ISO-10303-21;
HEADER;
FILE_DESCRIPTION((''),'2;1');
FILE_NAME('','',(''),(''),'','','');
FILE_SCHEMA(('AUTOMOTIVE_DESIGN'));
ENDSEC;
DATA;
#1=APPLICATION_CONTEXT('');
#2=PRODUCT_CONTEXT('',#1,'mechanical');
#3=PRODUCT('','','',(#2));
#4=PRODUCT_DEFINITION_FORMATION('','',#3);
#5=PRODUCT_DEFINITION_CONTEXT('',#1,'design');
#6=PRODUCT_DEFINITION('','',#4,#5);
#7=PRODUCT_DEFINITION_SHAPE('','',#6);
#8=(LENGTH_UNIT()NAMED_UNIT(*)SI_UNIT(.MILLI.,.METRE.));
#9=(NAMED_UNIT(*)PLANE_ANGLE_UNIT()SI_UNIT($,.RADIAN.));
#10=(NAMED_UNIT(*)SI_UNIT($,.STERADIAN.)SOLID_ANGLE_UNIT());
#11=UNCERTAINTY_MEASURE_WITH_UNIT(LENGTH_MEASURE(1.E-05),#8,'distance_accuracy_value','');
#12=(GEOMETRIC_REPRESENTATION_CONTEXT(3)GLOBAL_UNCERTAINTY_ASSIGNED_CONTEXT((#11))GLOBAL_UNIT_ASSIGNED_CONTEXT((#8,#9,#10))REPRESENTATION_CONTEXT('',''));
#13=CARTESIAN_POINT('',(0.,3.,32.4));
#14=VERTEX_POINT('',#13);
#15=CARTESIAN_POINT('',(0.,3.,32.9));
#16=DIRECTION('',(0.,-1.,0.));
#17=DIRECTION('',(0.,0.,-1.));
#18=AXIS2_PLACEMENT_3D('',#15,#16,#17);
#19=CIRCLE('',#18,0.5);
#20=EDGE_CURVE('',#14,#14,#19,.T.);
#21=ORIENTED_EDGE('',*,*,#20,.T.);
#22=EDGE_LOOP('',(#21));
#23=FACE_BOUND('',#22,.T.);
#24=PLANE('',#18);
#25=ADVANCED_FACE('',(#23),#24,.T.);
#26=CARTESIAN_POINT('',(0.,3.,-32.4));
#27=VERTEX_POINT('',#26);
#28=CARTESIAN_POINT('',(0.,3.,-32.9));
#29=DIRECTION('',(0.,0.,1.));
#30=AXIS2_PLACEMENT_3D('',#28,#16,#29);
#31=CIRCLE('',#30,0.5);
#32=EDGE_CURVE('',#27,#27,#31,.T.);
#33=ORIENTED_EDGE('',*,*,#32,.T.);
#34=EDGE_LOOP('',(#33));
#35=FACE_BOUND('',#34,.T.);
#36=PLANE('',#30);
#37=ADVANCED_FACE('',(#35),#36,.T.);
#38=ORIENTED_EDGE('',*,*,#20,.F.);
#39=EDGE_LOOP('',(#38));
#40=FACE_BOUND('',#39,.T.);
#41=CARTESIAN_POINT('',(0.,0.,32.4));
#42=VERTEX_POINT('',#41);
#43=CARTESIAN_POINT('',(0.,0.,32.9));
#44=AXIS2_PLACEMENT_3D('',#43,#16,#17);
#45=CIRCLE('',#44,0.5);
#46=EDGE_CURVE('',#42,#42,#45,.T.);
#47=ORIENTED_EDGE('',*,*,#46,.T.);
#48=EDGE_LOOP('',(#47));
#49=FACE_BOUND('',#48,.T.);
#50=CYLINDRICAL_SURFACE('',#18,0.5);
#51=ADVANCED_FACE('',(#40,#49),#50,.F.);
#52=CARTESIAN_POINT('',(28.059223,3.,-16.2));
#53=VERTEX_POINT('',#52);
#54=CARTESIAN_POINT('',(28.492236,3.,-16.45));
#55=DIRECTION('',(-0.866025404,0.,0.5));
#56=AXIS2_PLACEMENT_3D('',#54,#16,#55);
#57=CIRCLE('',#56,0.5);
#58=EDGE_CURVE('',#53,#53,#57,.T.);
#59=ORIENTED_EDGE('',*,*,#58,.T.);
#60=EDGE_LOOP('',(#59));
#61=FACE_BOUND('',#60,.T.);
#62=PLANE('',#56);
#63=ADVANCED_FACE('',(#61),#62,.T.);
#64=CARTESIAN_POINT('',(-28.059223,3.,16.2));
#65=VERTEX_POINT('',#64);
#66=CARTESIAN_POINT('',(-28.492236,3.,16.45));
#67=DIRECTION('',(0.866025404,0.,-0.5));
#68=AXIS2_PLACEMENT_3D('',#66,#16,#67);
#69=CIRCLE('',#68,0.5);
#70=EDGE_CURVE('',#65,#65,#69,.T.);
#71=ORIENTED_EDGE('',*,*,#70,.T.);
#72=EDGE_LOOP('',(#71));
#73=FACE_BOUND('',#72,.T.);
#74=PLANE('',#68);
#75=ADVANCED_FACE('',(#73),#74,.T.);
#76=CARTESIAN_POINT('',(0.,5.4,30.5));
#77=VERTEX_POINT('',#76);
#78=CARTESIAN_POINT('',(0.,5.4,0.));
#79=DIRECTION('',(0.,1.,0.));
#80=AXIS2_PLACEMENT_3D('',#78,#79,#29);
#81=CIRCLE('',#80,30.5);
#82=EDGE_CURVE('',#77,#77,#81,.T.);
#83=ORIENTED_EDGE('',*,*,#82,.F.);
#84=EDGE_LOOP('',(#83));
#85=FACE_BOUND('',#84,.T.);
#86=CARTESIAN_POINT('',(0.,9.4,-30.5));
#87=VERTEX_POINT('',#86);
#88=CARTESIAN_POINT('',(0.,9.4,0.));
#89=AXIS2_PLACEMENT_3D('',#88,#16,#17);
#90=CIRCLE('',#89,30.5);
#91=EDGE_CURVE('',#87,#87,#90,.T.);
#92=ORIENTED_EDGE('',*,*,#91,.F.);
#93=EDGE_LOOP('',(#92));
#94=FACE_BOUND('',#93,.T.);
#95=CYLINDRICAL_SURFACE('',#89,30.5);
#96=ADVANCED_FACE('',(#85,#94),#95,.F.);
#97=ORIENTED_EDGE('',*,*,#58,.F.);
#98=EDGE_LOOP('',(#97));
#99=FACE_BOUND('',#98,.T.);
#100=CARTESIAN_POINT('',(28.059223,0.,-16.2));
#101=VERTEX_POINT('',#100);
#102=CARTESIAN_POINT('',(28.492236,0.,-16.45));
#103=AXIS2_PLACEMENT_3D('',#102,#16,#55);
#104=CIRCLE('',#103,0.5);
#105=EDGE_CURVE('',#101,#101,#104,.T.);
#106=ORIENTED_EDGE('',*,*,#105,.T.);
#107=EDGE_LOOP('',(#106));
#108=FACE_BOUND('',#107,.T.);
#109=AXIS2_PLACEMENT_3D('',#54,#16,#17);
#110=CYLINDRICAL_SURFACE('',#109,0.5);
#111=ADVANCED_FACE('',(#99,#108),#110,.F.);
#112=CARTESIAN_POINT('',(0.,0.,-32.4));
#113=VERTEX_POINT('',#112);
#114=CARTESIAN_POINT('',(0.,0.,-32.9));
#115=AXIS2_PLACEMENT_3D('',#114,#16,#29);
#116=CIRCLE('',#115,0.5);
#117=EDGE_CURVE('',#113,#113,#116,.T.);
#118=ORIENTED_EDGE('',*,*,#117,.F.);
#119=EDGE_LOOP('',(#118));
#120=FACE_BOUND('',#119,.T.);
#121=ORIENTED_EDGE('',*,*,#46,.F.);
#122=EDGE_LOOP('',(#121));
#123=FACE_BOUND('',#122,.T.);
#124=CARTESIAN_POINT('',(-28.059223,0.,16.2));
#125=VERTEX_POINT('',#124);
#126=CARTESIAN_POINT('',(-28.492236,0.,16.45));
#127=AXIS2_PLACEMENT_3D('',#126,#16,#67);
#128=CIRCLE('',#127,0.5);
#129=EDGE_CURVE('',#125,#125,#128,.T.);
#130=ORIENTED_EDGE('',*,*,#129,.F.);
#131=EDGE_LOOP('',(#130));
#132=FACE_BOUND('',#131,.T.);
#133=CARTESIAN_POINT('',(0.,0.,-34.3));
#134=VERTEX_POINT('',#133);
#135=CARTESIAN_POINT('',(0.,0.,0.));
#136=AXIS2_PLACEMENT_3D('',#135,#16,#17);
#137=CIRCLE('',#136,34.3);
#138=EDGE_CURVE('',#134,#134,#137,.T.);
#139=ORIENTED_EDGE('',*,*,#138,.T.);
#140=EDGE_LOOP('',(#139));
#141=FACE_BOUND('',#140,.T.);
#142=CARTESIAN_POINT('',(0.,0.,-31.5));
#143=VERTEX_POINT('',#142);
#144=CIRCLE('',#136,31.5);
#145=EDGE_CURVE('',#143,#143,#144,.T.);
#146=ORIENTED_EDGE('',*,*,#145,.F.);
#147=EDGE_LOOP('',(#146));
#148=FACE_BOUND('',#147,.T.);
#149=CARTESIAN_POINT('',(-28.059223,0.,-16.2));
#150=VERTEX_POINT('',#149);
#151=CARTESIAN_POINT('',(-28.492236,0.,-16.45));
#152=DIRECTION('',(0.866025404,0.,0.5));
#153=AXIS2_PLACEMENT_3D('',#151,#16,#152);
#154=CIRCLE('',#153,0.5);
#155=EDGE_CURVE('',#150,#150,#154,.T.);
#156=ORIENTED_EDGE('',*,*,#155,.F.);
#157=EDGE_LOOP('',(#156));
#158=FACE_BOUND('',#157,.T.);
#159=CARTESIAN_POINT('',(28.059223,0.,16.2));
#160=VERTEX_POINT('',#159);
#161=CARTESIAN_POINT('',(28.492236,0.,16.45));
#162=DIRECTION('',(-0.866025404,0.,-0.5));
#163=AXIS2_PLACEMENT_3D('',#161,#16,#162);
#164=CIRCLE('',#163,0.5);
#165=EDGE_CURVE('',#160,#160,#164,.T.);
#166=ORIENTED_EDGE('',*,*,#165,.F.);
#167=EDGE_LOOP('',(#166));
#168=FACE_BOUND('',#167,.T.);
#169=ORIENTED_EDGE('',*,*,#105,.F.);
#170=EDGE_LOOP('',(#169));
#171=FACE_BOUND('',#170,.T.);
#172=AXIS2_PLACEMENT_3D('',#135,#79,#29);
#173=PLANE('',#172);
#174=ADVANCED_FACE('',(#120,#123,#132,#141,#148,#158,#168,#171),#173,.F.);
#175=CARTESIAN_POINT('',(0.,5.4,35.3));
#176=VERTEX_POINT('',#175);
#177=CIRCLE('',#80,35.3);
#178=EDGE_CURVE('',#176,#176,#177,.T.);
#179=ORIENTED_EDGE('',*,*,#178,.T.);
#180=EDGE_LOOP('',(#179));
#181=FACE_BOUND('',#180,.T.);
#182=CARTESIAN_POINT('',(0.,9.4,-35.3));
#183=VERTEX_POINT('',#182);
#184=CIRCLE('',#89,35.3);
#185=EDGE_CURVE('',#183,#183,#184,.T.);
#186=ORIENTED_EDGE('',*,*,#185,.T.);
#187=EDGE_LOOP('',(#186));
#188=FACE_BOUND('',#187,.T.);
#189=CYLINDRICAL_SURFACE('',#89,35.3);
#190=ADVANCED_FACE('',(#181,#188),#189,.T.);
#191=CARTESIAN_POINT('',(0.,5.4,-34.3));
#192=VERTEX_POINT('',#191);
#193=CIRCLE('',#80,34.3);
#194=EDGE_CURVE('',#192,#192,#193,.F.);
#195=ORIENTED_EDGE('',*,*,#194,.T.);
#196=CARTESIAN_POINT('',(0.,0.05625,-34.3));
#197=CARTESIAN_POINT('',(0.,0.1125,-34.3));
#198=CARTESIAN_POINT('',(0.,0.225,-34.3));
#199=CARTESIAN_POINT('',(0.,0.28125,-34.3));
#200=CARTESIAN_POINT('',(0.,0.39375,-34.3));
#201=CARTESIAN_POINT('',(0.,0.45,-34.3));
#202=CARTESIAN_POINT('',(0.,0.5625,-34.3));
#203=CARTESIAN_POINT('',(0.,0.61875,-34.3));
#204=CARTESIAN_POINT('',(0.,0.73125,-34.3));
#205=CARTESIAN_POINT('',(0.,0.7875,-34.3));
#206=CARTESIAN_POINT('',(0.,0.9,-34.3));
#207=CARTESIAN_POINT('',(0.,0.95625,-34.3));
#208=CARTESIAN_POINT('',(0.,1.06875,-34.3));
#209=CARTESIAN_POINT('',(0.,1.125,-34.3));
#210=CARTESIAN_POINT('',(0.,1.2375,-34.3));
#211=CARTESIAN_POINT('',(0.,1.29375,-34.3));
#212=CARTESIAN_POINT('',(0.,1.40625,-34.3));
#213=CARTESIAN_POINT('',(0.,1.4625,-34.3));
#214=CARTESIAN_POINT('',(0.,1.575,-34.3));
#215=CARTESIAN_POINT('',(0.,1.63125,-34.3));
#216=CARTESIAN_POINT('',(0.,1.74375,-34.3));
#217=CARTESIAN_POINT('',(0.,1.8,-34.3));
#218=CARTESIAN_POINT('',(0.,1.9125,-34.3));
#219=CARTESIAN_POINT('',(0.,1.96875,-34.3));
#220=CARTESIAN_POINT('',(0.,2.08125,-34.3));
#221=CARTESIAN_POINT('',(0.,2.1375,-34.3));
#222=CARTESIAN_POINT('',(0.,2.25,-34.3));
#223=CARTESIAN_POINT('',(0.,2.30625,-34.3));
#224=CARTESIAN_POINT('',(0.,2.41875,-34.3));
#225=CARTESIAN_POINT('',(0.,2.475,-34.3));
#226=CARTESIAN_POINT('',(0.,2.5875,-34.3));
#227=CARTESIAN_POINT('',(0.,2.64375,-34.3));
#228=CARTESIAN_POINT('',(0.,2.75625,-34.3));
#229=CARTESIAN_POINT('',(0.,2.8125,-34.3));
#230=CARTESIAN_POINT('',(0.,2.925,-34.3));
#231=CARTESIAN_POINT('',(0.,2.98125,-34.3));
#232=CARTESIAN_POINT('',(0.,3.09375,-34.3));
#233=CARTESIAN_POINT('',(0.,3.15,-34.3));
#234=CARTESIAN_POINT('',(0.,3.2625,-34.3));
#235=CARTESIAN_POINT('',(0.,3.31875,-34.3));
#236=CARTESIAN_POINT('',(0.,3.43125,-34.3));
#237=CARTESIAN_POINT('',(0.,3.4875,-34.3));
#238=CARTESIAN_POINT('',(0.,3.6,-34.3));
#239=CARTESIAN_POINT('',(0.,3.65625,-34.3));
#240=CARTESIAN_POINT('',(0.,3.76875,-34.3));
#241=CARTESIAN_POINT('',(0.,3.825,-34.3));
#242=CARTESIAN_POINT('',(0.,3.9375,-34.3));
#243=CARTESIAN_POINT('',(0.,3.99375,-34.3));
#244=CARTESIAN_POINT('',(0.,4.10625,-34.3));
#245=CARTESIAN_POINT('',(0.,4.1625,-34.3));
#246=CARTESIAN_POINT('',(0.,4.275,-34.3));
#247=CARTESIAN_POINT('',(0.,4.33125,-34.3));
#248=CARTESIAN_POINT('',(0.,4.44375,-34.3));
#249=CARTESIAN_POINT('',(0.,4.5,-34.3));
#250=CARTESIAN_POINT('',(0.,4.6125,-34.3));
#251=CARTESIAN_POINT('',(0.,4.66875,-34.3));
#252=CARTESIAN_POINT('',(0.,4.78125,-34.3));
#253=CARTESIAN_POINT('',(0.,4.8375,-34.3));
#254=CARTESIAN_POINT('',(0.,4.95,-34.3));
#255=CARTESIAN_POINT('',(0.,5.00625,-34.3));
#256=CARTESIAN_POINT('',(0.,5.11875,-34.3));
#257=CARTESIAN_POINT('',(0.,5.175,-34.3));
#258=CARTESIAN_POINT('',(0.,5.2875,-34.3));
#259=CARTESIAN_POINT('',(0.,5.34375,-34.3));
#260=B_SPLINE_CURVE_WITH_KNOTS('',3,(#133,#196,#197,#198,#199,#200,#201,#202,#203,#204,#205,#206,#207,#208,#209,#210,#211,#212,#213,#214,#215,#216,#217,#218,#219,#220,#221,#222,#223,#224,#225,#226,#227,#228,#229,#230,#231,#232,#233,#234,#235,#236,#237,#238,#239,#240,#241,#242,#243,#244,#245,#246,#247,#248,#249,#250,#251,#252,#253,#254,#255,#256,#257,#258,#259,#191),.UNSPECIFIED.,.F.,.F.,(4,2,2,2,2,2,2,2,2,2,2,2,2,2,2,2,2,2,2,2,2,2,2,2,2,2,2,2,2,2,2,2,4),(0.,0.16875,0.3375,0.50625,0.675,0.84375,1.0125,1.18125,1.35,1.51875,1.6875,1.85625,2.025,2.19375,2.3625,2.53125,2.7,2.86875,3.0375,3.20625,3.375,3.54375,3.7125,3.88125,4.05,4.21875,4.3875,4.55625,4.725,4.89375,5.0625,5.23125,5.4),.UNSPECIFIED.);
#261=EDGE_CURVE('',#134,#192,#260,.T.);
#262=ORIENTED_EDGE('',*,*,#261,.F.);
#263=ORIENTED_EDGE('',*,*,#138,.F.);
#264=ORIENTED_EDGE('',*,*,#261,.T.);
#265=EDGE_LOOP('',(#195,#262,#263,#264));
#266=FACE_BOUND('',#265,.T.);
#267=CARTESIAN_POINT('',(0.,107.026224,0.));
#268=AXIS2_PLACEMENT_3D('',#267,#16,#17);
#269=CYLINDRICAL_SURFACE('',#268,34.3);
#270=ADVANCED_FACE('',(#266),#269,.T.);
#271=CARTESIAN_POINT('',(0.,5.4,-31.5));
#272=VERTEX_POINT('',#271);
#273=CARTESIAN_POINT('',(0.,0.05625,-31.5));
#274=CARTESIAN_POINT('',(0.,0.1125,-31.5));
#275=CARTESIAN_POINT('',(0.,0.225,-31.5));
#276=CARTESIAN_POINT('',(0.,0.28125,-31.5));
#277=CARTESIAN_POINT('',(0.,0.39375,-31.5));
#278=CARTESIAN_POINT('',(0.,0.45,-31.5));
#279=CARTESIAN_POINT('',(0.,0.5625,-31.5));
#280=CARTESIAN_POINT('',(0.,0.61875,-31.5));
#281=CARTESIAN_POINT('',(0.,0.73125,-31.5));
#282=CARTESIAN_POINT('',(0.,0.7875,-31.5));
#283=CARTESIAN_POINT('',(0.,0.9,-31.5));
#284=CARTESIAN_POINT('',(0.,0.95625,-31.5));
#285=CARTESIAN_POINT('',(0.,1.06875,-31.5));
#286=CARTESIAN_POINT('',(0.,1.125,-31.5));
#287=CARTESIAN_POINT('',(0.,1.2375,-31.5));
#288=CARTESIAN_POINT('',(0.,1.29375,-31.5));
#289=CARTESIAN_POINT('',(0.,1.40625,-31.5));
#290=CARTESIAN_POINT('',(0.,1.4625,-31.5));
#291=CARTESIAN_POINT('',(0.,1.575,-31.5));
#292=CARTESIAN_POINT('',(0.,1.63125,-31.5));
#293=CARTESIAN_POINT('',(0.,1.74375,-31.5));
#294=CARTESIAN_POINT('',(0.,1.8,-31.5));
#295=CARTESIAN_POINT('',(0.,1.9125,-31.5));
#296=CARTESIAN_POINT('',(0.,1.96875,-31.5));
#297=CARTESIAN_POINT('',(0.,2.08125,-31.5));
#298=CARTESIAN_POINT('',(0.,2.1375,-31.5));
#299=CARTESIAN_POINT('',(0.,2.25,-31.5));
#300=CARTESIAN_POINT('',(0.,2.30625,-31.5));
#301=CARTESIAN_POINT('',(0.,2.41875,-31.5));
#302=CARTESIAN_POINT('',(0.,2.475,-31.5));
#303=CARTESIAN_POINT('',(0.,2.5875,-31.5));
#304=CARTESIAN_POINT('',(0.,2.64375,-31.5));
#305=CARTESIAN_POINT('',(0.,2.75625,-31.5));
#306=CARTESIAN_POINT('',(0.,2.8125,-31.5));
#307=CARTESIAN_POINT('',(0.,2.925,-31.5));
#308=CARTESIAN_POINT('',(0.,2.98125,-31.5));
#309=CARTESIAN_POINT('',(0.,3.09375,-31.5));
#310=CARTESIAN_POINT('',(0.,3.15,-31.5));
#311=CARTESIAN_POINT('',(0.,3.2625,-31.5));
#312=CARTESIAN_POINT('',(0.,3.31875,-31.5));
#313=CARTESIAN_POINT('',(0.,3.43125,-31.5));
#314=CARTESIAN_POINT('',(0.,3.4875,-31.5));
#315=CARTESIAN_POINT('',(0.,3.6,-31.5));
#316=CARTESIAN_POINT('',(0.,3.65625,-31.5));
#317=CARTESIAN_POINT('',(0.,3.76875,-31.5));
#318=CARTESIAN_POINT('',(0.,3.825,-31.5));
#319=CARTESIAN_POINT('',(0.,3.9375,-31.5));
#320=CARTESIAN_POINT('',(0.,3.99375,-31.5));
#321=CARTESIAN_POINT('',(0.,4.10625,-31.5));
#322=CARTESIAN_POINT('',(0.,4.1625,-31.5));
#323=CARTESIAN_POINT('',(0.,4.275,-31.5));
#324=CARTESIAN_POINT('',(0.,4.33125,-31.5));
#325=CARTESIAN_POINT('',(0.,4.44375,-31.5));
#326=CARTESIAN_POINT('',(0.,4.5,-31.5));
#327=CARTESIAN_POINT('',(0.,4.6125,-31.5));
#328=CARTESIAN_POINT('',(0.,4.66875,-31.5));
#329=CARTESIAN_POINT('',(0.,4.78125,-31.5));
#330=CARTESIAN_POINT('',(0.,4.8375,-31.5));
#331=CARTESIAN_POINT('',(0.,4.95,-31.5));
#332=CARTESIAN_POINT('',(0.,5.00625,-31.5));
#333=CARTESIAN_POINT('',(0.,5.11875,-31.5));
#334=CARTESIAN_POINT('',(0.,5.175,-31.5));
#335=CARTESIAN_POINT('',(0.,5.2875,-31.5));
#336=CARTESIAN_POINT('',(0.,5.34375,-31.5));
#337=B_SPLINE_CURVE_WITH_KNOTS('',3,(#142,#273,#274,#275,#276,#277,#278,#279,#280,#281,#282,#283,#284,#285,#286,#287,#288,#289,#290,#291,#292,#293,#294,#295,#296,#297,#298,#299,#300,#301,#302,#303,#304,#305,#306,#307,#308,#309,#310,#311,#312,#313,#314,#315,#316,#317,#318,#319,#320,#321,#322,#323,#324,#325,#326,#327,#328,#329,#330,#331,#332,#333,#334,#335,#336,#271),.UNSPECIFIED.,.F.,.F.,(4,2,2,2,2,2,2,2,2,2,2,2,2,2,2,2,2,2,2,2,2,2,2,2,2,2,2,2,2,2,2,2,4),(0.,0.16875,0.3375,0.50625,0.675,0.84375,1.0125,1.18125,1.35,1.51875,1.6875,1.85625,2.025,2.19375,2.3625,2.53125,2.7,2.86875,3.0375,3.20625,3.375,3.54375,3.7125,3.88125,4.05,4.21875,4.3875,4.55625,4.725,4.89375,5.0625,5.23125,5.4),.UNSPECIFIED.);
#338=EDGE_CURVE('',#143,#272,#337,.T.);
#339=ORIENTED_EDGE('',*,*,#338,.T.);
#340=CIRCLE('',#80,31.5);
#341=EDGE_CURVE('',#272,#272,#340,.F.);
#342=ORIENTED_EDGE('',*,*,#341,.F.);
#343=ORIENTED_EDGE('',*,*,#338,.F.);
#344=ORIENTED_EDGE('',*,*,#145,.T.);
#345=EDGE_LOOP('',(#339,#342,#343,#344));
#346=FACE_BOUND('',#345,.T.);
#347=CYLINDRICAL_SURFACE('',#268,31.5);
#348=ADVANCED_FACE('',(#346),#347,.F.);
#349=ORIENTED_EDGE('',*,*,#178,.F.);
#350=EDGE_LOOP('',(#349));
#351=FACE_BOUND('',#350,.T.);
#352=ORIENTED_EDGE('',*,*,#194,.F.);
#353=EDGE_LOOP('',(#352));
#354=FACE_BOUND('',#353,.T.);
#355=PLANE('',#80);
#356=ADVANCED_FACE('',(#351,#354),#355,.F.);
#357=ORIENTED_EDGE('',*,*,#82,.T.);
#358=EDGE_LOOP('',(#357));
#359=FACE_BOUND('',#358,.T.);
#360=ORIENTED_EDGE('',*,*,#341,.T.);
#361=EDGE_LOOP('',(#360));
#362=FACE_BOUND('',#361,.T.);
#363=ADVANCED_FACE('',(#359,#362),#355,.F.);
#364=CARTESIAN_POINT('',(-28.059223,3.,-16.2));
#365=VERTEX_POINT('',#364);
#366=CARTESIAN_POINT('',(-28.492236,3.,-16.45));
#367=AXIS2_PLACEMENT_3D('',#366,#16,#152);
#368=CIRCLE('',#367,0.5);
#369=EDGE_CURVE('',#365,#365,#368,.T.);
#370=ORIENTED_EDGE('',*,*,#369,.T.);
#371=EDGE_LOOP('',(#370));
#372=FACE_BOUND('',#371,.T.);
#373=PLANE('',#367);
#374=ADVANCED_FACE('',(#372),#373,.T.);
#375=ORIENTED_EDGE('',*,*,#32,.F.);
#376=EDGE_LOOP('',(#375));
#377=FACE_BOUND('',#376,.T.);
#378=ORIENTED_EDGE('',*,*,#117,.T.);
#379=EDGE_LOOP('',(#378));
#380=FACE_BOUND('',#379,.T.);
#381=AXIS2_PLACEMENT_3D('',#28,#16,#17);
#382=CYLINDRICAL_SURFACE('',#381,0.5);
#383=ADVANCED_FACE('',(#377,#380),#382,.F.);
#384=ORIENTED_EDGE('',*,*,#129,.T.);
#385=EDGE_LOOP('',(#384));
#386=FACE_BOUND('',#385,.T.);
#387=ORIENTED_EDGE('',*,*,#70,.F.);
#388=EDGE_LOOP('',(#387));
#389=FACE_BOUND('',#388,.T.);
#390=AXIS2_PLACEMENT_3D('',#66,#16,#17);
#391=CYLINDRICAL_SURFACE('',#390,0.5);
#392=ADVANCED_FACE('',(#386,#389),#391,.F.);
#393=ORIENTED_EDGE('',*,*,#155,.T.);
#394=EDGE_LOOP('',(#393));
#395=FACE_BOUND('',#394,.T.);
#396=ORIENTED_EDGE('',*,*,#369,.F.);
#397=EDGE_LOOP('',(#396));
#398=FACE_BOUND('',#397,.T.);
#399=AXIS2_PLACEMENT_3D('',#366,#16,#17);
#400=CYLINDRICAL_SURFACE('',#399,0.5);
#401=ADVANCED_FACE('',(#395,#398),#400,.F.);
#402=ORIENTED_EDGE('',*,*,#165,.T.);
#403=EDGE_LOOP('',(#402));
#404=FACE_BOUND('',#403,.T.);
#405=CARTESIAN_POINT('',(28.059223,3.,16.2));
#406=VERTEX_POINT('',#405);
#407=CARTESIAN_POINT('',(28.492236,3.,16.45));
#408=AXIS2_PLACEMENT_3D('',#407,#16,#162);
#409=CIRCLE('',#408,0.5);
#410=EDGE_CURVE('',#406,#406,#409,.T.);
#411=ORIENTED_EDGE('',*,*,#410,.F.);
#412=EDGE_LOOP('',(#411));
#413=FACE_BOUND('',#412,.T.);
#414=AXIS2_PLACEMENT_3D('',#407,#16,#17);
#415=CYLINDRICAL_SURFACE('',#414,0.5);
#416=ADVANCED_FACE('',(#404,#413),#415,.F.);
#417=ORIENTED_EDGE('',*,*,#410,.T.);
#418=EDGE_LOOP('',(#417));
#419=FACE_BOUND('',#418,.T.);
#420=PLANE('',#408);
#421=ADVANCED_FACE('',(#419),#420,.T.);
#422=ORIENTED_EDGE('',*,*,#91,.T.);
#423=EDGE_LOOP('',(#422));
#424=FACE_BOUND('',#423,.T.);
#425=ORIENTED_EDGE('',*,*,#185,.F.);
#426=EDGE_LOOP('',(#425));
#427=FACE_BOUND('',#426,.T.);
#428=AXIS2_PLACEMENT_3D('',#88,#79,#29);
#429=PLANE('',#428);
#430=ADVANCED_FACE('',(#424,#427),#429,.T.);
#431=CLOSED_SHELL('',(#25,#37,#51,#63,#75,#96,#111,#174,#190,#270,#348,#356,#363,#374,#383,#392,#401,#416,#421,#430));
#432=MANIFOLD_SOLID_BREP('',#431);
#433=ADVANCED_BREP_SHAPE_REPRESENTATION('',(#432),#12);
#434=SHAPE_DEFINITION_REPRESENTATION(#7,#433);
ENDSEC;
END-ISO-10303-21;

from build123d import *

# Parameters (mm, degrees)
SKETCH_1_R               = 34.4
SKETCH_1_R_2             = 31.4
EXTRUDE_1_DEPTH          = 5.4
SKETCH_2_R               = 35.4
SKETCH_2_R_2             = 30.4
EXTRUDE_1_2_DEPTH        = 4
SKETCH_3_R               = 0.5
CUT_EXTRUDE_1_DEPTH      = 3
PATTERN_CIRCULAR_1_COUNT = 6
SKETCH_4_OUTSIDE_W       = 92.914
SKETCH_4_OUTSIDE_H       = 92.914
SKETCH_4_OUTSIDE_R       = 34.3
SKETCH_4_OUTSIDE_R_2     = 31.5
CUT_EXTRUDE_2_DEPTH      = 5.4
SKETCH_5_OUTSIDE_W       = 92.914
SKETCH_5_OUTSIDE_H       = 92.914
SKETCH_5_OUTSIDE_R       = 35.3
SKETCH_5_OUTSIDE_R_2     = 30.5
CUT_EXTRUDE_3_DEPTH      = 51.938001531


with BuildPart() as part:
    # 草图1 → Extrude 1 (new body)
    with BuildSketch(Plane(origin=(0, 0, 0), x_dir=(1, 0, 0), z_dir=(0, 1, 0))):
        Circle(SKETCH_1_R)
        Circle(SKETCH_1_R_2, mode=Mode.SUBTRACT)
    extrude(amount=EXTRUDE_1_DEPTH)

    # 草图2 → Extrude 1 2 (add)
    with BuildSketch(Plane(origin=(0, 5.4, 0), x_dir=(1, 0, 0), z_dir=(0, 1, 0))):
        with Locations(Location((0, 0, 0), (0, 0, 270))):
            Circle(SKETCH_2_R)
        with Locations(Location((0, 0, 0), (0, 0, 270))):
            Circle(SKETCH_2_R_2, mode=Mode.SUBTRACT)
    extrude(amount=EXTRUDE_1_2_DEPTH)

    # 草图3 → 切除-拉伸1 (cut)
    with BuildSketch(Plane.XZ):
        with Locations(Location((0, 32.9, 0), (0, 0, 270))):
            Circle(SKETCH_3_R)
    cut_extrude_1 = extrude(amount=-CUT_EXTRUDE_1_DEPTH, mode=Mode.SUBTRACT)

    # 阵列(圆周)1: 切除-拉伸1 ×6 about axis
    pattern_circular_1_axis = Axis((0, 0, 0), (0, 1, 0))
    for i in range(1, PATTERN_CIRCULAR_1_COUNT):
        add(cut_extrude_1.rotate(pattern_circular_1_axis, i * 360 / PATTERN_CIRCULAR_1_COUNT), mode=Mode.SUBTRACT)

    # 草图4 outside → 切除-拉伸2 (cut)
    # profile 1 of 2: a face of its own
    with BuildSketch(Plane.XZ):
        Rectangle(SKETCH_4_OUTSIDE_W, SKETCH_4_OUTSIDE_H)
        with Locations(Location((0, 0, 0), (0, 0, 270))):
            Circle(SKETCH_4_OUTSIDE_R, mode=Mode.SUBTRACT)
    # profile 2 of 2: a face of its own
    with BuildSketch(Plane.XZ):
        with Locations(Location((0, 0, 0), (0, 0, 270))):
            Circle(SKETCH_4_OUTSIDE_R_2)
    extrude(amount=-CUT_EXTRUDE_2_DEPTH, mode=Mode.SUBTRACT)

    # 草图5 outside → 切除-拉伸3 (cut, through all)
    # profile 1 of 2: a face of its own
    with BuildSketch(Plane.XZ):
        Rectangle(SKETCH_5_OUTSIDE_W, SKETCH_5_OUTSIDE_H)
        with Locations(Location((0, 0, 0), (0, 0, 270))):
            Circle(SKETCH_5_OUTSIDE_R, mode=Mode.SUBTRACT)
    # profile 2 of 2: a face of its own
    with BuildSketch(Plane.XZ):
        with Locations(Location((0, 0, 0), (0, 0, 270))):
            Circle(SKETCH_5_OUTSIDE_R_2)
    extrude(amount=-CUT_EXTRUDE_3_DEPTH, mode=Mode.SUBTRACT)


solid = part.part
